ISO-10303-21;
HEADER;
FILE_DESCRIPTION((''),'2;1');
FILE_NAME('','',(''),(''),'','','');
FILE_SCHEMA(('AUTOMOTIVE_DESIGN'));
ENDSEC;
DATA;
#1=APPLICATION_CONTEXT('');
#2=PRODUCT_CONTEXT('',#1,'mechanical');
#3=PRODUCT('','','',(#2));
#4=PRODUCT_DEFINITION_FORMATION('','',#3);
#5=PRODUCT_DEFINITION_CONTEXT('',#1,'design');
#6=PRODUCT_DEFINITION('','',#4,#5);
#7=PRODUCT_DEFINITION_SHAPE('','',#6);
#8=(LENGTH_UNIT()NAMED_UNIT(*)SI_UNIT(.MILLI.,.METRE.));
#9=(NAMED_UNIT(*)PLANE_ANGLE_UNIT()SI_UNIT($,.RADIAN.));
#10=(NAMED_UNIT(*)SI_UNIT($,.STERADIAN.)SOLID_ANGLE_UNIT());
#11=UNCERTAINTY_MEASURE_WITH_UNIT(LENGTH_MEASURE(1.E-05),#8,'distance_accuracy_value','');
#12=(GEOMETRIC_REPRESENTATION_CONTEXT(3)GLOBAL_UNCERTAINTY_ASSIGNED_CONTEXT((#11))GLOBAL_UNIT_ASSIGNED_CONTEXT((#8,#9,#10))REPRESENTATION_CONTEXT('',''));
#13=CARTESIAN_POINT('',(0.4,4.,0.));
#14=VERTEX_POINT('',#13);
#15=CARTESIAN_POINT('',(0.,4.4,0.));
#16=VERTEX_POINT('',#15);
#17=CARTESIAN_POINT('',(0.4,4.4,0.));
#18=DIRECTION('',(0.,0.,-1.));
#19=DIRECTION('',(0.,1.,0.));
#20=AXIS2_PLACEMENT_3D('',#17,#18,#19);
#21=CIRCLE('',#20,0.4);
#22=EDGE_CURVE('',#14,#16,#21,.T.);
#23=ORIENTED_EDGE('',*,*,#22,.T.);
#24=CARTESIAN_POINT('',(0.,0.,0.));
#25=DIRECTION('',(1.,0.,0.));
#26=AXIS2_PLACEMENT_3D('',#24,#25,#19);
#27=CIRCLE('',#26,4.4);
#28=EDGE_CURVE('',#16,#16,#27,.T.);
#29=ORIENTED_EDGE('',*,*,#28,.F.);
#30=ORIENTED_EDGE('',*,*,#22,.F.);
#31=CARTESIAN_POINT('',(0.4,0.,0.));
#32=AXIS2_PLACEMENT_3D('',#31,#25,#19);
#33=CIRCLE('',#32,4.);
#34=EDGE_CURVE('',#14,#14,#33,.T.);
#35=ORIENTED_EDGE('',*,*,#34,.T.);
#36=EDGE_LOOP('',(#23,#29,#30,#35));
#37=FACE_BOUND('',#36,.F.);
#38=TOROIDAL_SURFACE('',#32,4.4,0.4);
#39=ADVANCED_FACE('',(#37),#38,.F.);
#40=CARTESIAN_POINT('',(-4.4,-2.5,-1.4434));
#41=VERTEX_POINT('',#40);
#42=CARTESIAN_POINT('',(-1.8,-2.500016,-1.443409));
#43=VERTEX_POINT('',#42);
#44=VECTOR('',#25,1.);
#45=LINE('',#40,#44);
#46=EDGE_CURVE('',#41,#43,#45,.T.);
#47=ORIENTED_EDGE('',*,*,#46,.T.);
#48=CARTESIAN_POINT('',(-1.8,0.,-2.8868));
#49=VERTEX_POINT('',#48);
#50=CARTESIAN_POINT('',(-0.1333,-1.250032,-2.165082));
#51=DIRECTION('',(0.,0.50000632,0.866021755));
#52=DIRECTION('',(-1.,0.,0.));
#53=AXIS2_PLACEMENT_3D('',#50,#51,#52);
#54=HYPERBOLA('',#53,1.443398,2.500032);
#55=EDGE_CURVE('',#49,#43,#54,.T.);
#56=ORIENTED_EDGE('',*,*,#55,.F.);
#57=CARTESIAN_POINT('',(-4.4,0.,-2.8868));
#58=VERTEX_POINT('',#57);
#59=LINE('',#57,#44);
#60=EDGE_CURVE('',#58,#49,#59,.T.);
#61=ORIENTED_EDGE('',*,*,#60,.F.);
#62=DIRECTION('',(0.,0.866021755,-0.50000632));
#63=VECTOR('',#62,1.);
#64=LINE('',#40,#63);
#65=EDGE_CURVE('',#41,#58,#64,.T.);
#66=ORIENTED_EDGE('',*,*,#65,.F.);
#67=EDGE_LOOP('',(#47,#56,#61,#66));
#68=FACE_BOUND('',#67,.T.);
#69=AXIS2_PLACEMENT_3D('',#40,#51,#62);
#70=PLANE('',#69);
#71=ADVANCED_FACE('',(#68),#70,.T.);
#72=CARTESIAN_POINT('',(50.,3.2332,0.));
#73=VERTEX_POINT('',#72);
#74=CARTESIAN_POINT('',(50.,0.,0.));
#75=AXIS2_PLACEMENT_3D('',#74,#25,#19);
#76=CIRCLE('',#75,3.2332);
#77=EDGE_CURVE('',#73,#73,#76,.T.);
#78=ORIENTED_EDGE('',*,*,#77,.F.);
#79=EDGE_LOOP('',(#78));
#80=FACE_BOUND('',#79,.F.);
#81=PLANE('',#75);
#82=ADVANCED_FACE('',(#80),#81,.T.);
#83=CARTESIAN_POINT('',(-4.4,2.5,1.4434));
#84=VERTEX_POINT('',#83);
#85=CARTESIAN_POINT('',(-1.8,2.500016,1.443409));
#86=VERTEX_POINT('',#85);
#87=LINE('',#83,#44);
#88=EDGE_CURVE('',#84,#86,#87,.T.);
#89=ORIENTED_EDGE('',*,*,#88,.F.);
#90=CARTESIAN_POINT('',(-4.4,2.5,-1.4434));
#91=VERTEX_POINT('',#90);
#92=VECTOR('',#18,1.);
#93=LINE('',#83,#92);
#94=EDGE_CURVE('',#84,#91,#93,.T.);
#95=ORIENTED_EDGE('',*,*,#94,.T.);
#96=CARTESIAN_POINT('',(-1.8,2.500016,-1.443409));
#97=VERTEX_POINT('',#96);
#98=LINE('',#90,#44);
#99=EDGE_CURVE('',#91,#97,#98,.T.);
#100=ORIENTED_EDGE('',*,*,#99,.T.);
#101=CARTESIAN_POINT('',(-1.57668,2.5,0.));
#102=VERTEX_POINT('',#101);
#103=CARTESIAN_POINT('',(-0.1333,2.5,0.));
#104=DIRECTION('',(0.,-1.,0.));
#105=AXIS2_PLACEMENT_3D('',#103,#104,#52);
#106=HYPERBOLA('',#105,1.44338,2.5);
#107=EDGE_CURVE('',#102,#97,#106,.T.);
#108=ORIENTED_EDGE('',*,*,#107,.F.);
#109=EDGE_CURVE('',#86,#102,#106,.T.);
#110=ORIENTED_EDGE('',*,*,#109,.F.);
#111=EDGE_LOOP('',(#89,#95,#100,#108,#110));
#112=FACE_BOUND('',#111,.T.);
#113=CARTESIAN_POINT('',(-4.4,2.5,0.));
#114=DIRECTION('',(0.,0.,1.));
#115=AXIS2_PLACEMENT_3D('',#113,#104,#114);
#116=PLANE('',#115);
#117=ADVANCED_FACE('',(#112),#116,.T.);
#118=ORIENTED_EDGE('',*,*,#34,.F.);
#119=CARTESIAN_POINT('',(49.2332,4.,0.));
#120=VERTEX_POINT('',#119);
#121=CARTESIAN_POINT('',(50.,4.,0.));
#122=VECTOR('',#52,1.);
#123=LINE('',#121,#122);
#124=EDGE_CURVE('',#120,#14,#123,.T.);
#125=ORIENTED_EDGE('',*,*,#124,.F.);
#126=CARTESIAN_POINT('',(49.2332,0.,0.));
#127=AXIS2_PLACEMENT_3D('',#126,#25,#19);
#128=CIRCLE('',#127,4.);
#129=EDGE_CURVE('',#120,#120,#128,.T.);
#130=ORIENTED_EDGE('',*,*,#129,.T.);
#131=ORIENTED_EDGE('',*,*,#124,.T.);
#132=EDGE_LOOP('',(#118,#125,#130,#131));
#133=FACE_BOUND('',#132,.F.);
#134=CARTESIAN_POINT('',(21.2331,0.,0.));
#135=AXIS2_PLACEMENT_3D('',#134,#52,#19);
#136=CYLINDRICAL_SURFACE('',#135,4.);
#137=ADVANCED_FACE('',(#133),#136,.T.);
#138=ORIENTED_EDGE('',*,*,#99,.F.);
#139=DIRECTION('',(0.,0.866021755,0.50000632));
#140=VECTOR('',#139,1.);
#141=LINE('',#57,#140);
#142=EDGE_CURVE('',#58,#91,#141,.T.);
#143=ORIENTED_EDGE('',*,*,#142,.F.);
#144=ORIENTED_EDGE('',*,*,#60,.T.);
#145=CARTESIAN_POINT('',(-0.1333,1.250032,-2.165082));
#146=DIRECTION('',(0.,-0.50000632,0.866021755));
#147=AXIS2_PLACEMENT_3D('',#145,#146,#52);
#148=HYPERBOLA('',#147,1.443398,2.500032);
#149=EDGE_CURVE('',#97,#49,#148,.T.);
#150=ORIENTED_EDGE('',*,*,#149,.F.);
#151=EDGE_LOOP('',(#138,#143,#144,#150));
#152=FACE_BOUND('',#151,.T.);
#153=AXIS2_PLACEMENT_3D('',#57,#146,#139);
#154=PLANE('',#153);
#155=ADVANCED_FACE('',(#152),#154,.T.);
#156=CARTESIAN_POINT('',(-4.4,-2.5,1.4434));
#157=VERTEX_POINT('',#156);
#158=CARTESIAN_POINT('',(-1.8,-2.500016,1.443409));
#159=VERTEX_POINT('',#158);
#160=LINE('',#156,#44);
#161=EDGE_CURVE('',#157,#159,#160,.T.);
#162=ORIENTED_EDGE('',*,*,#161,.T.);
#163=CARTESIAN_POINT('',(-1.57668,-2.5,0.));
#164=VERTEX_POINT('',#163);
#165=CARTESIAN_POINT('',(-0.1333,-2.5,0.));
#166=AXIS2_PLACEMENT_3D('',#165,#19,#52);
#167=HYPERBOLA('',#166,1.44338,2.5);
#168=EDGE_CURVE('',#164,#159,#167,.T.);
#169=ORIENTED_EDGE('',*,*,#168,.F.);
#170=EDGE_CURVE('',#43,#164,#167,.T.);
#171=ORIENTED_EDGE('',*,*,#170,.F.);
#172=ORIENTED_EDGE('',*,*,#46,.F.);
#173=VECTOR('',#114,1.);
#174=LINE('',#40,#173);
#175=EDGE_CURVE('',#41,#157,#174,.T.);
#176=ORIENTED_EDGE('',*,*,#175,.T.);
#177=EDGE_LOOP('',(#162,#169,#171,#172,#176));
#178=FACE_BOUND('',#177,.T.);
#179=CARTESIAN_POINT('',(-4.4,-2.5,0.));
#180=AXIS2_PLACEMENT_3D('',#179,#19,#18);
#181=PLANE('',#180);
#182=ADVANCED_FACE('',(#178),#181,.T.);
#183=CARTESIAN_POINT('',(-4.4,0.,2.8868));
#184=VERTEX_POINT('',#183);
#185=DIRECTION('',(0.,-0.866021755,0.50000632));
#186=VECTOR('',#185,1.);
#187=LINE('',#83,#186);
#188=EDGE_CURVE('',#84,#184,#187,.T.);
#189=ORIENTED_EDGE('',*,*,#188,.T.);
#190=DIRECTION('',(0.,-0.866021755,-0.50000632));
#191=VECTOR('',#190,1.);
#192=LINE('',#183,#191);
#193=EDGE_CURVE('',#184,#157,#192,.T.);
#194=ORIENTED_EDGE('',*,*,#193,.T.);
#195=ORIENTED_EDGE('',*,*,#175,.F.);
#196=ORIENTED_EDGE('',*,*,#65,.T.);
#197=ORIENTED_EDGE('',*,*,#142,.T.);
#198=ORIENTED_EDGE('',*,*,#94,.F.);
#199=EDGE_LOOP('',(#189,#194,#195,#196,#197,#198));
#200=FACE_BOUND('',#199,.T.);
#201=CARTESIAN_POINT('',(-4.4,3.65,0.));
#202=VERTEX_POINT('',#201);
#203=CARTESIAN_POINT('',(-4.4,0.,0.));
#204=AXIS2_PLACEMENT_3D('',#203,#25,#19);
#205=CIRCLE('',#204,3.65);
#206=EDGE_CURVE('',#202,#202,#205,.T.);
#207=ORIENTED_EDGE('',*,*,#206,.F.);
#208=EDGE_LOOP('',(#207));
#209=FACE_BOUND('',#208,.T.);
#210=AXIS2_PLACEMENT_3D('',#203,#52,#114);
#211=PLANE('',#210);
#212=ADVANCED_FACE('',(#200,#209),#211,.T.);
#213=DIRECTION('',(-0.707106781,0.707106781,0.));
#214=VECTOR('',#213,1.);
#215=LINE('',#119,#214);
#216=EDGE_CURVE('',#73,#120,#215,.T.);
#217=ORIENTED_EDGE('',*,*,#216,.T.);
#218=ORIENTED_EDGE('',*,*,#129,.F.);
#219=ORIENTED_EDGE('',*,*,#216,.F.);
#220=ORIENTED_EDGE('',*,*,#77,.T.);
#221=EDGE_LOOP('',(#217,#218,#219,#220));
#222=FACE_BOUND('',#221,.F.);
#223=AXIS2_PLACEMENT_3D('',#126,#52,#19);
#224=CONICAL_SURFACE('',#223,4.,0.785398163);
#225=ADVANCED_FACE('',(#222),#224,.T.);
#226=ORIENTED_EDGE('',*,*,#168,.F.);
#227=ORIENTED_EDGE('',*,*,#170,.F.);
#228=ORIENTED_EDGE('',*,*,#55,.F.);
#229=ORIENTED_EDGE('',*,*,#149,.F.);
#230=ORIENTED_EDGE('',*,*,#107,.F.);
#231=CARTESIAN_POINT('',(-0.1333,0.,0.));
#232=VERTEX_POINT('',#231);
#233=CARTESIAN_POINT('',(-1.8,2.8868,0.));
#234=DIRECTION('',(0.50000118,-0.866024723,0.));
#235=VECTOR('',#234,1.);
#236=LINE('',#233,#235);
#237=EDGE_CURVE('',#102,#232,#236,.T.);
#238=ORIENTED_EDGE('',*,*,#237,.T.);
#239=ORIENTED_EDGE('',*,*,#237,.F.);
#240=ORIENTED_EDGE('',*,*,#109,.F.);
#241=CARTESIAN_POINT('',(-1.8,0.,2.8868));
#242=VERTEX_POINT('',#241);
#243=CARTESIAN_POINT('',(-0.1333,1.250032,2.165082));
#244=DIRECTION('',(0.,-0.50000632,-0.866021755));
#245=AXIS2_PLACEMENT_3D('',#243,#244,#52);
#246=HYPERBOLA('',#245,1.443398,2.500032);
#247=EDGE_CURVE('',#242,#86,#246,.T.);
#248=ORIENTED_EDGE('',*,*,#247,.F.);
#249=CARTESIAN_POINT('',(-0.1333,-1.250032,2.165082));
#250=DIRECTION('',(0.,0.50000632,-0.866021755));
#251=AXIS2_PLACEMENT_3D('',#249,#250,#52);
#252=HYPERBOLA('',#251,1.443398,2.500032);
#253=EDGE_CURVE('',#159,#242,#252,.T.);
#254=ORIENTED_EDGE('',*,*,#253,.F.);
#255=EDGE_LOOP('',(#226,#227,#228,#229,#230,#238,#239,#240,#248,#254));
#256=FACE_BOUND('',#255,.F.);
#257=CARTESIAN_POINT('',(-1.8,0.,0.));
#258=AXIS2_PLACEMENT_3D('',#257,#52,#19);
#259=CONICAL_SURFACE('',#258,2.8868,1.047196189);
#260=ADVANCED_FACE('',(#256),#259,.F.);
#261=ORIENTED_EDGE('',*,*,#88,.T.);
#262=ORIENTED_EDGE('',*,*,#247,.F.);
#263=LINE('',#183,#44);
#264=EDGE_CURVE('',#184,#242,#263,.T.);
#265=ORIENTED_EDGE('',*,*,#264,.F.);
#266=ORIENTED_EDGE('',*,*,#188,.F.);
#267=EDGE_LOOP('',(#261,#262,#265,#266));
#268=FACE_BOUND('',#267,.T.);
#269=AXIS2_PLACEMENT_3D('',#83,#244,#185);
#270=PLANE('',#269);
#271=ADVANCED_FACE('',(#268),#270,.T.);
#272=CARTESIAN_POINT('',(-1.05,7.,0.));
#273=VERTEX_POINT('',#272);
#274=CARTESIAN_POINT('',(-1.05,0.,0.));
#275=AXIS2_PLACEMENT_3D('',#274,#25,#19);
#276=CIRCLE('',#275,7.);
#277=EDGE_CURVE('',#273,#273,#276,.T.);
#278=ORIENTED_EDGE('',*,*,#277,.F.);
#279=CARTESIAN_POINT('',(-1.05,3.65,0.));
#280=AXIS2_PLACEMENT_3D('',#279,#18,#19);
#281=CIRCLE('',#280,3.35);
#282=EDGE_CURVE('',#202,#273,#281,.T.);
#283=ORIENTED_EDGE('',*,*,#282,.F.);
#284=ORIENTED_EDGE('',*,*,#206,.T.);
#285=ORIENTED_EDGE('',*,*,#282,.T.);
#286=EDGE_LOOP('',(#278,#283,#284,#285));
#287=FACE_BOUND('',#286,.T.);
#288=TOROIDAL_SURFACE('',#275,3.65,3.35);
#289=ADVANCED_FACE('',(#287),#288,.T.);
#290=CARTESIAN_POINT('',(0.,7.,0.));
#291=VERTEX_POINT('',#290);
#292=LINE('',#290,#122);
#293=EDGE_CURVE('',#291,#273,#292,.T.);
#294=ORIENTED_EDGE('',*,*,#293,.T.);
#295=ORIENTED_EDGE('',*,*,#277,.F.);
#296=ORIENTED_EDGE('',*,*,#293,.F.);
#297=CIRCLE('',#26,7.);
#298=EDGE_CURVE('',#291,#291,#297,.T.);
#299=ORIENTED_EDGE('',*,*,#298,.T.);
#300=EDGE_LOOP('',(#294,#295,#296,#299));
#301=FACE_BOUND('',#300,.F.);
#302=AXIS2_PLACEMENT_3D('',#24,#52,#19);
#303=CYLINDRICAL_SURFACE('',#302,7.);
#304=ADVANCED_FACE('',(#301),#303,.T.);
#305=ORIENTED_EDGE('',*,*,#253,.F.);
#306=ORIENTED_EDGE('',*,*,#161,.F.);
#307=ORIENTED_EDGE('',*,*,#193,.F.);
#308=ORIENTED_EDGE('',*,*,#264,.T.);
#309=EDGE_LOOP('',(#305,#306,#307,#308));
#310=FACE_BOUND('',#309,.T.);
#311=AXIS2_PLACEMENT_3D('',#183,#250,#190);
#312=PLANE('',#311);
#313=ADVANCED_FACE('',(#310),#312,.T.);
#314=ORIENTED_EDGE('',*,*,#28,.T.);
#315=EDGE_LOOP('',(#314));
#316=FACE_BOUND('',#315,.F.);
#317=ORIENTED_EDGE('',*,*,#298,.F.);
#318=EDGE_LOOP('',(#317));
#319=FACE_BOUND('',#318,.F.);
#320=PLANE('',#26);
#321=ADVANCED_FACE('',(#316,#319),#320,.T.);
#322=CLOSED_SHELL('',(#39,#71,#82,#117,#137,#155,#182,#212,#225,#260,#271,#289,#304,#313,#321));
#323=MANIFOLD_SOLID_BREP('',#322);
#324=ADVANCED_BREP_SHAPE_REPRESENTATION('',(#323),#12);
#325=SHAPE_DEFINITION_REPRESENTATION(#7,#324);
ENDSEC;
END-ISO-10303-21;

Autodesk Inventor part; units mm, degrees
ref_plane "YZ Plane" through (0, 0, 0) normal (1, 0, 0) x (0, 1, 0)
ref_plane "XZ Plane" through (0, 0, 0) normal (0, 1, 0) x (-1, 0, 0)
sketch "Sketch1" plane through (0, 0, 0) normal (0, 0, 1) x (1, 0, 0)
  line L0 (-0.1333, 0) -> (50, 0)
  line L1 (50, 0) -> (50, 4)
  line L2 (50, 4) -> (22, 4)
  line L3 (22, 4) -> (21.2331, 4)
  line L4 (21.2331, 4) -> (0, 4)
  line L5 (0, 4) -> (0, 7)
  line L6 (0, 7) -> (-4.4, 7)
  line L7 (-4.4, 7) -> (-4.4, 2.8868)
  line L8 (-4.4, 2.8868) -> (-1.8, 2.8868)
  line L9 (-1.8, 2.8868) -> (-0.1333, 0)
  line L10 (-15.28, 0) -> (60.88, 0) projected
  line L11 (0, -1.4) -> (0, 8.4) projected
  line L12 (22, 4) -> (0, 4) construction
  dimension "d1" = 28
  dimension "d2" = 0.7669
  dimension "d3" = 4.4
  dimension "d4" = 2.6
  dimension "d5" = 60
  dimension "d6" = 8
  dimension "d7" = 8
  dimension "d8" = 5.7735
  dimension "d9" = 14
  dimension "d26" = 50
revolve "Body" add sketch "Sketch1" angle 360 about axis through (-0.1333, 0, 0) along (1, 0, 0)
sketch "Sketch2" plane through (-4.4, 0, 0) normal (-1, 0, 0) x (0, 0, 1)
  circle A0 centre (0, 0) radius 2.8868 projected
  line L0 (0, -9.8) -> (0, 9.8) projected
  line L1 (-9.8, 0) -> (9.8, 0) projected
  line L2 (2.8868, 0) -> (1.4434, -2.5)
  line L3 (1.4434, -2.5) -> (-1.4434, -2.5)
  line L4 (-1.4434, -2.5) -> (-2.8868, 0)
  line L5 (-2.8868, 0) -> (-1.4434, 2.5)
  line L6 (-1.4434, 2.5) -> (1.4434, 2.5)
  line L7 (1.4434, 2.5) -> (2.8868, 0)
extrude "Slot" add sketch "Sketch2" against normal up to next contours L7 A0 | A0 L2 | L6 L0 A0 | A0 L0 L3 | L0 L6 A0 | A0 L3 L0 | L4 A0 | A0 L5
fillet "Fillet1" radius 3.35 1 edges at (-4.4, -7, 0)
thread "Thread" size "M8x1.25" class "6g" standard "ISO Metric profile" length 28
chamfer "Chamfer1" distance 0.7668 distance2 0.7668 1 edges at (50, -4, 0) measured on face at (50, -0.3588, -0.308)
ref_plane "Work Plane1" through (29, 0, 0) normal (0, -1, 0) x (1, 0, 0)
fillet "Fillet2" radius 0.4 1 edges at (0, -4, 0)
equation "\"d1\" = GEL"
equation "\"d3\" = KOH"
equation "\"d4\" = INTI"
equation "\"d6\" = GD"
equation "\"d7\" = BDM"
equation "\"d8\" = 1.1547 * SW"
equation "\"d9\" = KOD"
equation "\"d26\" = NLG"
equation "\"d30\" = R"
equation "\"d17\" = RR"
equation "\"d13\" = GEL"
equation "\"d15\" = -0.5 * SPD + 0.5 * GD"
equation "\"d16\" = GUL"
equation "\"GD\" = NND"
equation "\"NLG\" = 50"
equation "\"GEL\" = 28"
equation "\"KOD\" = 14"
equation "\"KOH\" = 4.4"
equation "\"INTI\" = 2.6"
equation "\"GAL\" = 0.61345 * PTC"
equation "\"GUL\" = 0.61345 * PTC"
equation "\"BDM\" = NND"
equation "\"SW\" = 5"
equation "\"RR\" = 3.35"
equation "\"SPD\" = NND - 1.2269 * PTC"
equation "\"R\" = 0.4"
equation "\"TOA\" = 30deg"
equation "\"GD1\" = THREADDIA - 1.2269 * PTC"
equation "\"THREADDIA\" = 8"
equation "\"PTC\" = 1.25"
equation "\"NND\" = 8"
equation "\"KOH1\" = 1.05"
equation "\"E0\" = 5.723"
properties part number "PWTR-0132" material "Stainless Steel"
